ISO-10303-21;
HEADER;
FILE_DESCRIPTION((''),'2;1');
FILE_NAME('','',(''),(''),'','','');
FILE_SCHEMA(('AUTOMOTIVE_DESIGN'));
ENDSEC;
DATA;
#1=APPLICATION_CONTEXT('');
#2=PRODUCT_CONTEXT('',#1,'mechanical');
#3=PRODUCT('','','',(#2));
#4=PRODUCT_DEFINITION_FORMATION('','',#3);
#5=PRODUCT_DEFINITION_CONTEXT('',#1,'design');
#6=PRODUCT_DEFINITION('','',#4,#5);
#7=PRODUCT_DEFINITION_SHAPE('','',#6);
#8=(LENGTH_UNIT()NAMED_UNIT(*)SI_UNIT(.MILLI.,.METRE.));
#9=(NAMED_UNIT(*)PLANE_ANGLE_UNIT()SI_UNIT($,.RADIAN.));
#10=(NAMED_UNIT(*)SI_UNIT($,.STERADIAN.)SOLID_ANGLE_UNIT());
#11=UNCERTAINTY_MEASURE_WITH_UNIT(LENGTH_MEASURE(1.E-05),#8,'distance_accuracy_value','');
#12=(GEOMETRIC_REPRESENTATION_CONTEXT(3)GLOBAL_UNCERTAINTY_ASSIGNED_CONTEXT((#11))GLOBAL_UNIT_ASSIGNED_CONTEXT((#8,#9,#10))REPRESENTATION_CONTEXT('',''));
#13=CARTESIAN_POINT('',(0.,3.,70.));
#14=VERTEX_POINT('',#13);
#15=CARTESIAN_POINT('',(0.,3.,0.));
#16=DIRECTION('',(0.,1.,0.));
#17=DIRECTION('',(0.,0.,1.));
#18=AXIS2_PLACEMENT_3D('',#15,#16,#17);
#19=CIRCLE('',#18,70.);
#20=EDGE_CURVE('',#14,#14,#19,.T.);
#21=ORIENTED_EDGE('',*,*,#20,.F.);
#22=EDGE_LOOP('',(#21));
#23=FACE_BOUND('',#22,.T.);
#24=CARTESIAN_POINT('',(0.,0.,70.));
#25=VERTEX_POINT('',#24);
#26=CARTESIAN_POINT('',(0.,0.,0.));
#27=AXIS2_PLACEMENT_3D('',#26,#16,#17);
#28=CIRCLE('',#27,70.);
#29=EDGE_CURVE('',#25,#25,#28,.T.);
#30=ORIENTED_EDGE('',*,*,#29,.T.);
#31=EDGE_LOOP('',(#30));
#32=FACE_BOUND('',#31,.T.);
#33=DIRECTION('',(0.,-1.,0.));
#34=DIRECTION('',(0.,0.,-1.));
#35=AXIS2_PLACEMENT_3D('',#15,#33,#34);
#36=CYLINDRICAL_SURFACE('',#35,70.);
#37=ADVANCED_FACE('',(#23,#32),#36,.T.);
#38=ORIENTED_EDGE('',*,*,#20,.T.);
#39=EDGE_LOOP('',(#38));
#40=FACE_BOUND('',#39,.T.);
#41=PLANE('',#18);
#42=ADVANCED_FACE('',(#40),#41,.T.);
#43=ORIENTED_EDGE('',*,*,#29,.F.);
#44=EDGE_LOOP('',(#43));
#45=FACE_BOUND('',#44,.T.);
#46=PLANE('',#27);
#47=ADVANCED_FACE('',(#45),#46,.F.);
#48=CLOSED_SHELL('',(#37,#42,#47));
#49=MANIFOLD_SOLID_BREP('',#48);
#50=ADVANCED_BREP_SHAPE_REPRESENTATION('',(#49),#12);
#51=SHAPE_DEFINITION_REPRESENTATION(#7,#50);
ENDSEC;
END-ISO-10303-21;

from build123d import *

# Parameters (mm, degrees)
SKETCH1_R           = 70
BOSS_EXTRUDE1_DEPTH = 3


with BuildPart() as part:
    # Sketch1 → Boss-Extrude1 (new body)
    with BuildSketch(Plane(origin=(0, 0, 0), x_dir=(1, 0, 0), z_dir=(0, 1, 0))):
        with Locations(Location((0, 0, 0), (0, 0, 270))):
            Circle(SKETCH1_R)
    extrude(amount=BOSS_EXTRUDE1_DEPTH)


solid = part.part
